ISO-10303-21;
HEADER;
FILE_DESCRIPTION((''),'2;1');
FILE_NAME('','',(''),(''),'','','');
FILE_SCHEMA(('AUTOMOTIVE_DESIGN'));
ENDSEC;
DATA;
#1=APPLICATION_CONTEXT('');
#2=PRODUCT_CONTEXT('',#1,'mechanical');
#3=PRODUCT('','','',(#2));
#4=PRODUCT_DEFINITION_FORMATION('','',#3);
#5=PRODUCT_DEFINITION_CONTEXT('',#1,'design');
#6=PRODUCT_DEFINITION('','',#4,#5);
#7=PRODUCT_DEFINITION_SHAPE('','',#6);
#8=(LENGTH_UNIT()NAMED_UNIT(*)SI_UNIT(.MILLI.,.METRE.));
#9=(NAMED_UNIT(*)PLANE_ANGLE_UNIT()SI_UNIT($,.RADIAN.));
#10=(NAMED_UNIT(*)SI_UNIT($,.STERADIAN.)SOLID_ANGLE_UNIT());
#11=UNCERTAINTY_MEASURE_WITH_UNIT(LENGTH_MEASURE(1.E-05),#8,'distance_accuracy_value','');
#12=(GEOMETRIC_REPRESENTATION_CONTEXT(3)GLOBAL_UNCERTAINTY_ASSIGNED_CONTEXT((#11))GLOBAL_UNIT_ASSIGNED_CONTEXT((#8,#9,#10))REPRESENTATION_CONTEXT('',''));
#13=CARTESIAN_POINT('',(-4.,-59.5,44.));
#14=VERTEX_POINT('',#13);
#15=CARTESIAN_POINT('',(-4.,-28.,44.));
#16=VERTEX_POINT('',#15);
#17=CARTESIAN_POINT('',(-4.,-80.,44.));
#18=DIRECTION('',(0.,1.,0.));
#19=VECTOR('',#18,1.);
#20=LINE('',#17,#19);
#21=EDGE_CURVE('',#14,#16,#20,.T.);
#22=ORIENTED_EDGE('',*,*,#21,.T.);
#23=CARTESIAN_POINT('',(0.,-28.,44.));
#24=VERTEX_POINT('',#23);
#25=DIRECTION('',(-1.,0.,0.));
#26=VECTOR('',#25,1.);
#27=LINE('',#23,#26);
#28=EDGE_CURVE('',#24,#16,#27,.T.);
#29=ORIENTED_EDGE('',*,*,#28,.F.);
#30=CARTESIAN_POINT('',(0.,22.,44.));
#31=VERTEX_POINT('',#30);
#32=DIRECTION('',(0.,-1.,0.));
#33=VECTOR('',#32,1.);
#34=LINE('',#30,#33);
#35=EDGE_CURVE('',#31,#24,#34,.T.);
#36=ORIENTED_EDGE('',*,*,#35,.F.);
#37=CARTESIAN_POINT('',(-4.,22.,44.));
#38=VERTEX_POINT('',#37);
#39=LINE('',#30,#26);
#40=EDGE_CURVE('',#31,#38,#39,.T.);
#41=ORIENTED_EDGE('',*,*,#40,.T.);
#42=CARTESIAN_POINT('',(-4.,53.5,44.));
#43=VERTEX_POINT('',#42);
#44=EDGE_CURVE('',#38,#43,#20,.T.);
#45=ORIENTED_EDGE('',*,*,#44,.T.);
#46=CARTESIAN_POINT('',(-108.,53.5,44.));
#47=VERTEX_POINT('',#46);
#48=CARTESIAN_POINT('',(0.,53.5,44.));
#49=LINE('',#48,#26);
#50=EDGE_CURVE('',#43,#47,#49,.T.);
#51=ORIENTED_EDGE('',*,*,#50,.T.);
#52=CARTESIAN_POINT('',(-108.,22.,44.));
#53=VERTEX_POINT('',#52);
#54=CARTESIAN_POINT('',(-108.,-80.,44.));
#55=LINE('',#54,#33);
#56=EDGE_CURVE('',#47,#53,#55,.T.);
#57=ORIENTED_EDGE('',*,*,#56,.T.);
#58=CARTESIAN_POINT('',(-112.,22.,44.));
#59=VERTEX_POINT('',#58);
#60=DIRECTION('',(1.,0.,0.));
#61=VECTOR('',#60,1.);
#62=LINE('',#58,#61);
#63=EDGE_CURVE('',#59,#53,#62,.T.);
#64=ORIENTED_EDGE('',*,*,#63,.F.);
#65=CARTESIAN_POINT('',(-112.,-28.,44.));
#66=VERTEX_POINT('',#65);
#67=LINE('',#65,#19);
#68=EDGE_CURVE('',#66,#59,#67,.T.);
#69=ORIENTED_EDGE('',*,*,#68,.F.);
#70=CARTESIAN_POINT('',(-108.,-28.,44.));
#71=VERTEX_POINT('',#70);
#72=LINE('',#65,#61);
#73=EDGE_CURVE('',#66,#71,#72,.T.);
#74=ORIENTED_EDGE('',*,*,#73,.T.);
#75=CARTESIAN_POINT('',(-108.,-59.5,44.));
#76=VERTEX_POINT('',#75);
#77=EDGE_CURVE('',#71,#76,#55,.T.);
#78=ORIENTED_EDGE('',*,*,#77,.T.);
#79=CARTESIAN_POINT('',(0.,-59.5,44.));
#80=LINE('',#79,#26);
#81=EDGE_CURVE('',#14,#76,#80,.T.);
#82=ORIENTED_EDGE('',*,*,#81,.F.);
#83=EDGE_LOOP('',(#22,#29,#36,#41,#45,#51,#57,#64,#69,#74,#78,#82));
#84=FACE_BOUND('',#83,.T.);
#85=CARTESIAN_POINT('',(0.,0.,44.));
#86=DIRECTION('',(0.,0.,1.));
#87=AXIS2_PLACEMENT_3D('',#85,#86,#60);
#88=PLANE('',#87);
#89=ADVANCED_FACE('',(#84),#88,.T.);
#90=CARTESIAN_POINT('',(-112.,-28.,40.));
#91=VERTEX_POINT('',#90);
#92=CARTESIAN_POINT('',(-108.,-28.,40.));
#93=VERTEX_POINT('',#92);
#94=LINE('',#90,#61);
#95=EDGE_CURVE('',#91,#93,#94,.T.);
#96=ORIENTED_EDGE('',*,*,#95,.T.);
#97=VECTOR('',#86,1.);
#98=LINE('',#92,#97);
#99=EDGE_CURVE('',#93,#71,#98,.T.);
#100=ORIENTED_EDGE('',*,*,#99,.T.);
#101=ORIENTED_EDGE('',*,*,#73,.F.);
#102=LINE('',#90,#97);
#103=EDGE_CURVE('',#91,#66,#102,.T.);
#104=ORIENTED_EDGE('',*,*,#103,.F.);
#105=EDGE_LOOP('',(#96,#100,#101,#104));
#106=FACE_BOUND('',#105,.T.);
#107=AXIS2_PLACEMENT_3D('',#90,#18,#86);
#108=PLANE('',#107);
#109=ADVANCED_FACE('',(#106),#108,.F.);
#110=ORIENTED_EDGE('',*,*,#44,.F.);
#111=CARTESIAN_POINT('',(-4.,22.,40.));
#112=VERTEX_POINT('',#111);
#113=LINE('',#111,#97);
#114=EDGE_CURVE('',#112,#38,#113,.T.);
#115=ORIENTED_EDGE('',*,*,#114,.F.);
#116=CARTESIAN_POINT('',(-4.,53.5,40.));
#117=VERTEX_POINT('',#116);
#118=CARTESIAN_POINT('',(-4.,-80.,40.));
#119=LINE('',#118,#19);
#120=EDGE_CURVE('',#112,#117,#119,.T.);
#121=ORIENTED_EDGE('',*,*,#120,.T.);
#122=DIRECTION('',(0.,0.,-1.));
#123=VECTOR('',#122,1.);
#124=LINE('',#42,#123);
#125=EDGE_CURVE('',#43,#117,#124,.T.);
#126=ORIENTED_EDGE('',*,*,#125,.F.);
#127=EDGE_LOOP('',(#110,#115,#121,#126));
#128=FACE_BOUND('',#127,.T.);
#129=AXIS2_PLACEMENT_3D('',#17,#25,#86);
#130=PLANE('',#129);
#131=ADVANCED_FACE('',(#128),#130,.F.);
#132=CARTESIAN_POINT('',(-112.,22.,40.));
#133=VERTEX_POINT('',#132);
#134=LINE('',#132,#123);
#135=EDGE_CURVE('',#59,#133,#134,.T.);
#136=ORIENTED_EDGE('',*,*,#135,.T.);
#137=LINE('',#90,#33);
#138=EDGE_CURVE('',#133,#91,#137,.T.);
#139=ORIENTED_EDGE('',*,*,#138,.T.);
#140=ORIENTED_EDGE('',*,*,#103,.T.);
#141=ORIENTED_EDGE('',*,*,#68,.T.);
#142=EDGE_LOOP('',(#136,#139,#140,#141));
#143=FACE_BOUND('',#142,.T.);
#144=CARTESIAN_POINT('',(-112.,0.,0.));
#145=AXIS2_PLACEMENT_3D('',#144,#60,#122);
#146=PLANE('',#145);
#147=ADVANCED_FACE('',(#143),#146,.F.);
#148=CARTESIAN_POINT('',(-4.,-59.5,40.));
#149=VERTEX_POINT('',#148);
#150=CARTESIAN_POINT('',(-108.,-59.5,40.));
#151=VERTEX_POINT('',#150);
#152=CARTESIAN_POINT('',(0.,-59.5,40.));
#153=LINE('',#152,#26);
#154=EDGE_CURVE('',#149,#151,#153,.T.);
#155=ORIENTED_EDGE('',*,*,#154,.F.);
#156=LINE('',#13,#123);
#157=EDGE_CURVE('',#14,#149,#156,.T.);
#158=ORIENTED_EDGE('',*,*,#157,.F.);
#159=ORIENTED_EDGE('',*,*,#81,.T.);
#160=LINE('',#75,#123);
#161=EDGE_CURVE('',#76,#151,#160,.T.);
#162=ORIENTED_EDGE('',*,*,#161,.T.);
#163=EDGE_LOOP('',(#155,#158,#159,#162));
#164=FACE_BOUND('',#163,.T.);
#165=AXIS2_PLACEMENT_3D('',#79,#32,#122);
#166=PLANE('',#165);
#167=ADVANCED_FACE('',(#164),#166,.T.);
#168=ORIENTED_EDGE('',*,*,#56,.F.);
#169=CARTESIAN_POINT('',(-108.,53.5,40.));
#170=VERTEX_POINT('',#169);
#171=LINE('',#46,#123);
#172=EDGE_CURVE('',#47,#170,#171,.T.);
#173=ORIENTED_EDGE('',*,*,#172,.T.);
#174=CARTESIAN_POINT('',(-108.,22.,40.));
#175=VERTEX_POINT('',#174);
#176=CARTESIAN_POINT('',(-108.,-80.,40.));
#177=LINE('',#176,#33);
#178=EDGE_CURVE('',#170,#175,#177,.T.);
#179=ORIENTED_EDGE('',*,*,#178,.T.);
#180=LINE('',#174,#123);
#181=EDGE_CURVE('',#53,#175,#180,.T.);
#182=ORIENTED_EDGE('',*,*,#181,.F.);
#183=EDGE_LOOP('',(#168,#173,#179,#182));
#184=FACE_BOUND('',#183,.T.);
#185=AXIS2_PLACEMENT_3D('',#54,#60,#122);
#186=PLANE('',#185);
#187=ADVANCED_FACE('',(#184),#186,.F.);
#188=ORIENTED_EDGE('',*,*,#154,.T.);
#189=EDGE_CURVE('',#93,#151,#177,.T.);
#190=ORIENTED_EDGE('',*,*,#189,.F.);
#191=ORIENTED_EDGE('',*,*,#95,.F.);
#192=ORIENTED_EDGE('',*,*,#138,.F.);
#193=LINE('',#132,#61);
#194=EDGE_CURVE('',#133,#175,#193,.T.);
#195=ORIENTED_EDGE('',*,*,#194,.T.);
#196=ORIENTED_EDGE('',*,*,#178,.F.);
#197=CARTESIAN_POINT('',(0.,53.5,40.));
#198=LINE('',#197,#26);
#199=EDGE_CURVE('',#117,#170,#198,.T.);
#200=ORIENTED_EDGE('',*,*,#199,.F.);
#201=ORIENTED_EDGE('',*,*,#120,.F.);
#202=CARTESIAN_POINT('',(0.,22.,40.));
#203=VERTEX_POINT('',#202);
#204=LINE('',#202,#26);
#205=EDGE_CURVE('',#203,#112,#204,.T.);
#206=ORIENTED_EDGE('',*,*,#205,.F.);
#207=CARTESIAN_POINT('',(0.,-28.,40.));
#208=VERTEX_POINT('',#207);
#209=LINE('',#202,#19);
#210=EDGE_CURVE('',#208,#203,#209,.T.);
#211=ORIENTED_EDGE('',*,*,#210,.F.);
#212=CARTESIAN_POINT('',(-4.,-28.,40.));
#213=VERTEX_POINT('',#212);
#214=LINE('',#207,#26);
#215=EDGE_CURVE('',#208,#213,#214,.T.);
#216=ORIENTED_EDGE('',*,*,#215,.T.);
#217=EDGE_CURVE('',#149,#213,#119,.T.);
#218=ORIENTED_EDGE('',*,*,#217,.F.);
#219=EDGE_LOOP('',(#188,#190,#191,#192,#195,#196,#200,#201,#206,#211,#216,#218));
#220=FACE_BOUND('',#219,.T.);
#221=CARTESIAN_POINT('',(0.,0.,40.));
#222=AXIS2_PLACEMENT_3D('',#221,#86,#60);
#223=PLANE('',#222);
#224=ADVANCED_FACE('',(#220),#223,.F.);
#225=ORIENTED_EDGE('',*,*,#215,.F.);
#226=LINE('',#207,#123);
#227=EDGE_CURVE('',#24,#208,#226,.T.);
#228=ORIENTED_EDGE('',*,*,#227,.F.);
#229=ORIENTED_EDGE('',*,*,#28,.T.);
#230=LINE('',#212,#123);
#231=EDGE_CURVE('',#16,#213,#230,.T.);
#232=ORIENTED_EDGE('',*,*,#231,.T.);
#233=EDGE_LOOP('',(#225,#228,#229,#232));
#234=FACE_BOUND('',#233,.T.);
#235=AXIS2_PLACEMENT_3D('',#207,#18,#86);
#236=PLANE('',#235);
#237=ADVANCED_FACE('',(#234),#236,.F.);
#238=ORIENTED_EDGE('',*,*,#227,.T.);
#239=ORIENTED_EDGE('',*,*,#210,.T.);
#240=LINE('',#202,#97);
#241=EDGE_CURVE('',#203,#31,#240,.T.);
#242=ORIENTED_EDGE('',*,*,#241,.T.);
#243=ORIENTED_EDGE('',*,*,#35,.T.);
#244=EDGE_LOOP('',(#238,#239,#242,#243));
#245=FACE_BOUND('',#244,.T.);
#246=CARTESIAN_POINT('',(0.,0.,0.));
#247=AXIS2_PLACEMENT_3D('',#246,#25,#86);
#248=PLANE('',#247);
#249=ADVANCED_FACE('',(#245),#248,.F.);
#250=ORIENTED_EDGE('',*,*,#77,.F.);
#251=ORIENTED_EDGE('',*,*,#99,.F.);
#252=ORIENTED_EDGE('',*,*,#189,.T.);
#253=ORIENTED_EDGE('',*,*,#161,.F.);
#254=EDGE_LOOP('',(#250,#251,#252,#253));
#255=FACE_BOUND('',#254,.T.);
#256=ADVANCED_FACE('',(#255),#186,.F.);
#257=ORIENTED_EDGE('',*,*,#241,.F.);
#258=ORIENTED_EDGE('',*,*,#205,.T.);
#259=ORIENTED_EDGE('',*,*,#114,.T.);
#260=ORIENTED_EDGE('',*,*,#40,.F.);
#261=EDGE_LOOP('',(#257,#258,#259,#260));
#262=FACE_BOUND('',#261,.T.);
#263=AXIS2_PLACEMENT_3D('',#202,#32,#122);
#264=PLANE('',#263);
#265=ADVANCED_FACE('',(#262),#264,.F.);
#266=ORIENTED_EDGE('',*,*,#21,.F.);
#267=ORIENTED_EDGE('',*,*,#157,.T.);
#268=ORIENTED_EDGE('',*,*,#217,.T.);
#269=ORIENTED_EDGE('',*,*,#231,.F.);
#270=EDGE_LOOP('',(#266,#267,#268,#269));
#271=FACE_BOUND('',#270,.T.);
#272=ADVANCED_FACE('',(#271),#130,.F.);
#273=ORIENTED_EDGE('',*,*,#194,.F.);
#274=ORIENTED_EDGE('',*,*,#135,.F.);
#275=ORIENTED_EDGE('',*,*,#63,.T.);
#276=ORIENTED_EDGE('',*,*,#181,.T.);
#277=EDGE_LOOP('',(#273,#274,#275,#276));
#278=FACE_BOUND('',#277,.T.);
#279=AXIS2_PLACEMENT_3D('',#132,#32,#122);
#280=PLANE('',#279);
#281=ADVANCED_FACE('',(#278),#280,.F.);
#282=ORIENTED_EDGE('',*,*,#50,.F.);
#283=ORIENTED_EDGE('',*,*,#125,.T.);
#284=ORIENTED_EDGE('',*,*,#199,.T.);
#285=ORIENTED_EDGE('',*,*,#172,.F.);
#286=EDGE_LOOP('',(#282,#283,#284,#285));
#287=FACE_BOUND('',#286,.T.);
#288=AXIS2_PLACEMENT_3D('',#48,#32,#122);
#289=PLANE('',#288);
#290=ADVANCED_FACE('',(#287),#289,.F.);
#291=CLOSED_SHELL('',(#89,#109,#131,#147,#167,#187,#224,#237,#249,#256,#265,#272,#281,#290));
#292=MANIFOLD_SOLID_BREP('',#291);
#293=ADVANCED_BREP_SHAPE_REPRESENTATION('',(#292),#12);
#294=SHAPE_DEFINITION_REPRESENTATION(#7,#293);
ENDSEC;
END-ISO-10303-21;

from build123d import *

# Parameters (mm, degrees)
SKETCH_2_W          = 104
SKETCH_2_H          = 163
EXTRUDE_1_DEPTH     = 4
SKETCH_4_W          = 104
SKETCH_4_H          = 29.5
SKETCH_4_H_2        = 20.5
CUT_EXTRUDE_1_DEPTH = 4
SKETCH_5_W          = 4
SKETCH_5_H          = 50
EXTRUDE_2_DEPTH     = 4
SKETCH_7_W          = 4
SKETCH_7_H          = 50
EXTRUDE_3_DEPTH     = 4


with BuildPart() as part:
    # 스케치2 → 보스-돌출1 (new body)
    with BuildSketch(Plane.XY.offset(40)):
        with Locations((-56, 1.5)):
            Rectangle(SKETCH_2_W, SKETCH_2_H)
    extrude(amount=EXTRUDE_1_DEPTH)

    # 스케치4 → 컷-돌출1 (cut)
    with BuildSketch(Plane(origin=(0, 0, 40), x_dir=(-1, 0, 0), z_dir=(0, 0, -1))):
        with Locations((56, 68.25)):
            Rectangle(SKETCH_4_W, SKETCH_4_H)
        with Locations((56, -69.75)):
            Rectangle(SKETCH_4_W, SKETCH_4_H_2)
    extrude(amount=-CUT_EXTRUDE_1_DEPTH, mode=Mode.SUBTRACT)

    # 스케치5 → 보스-돌출2 (add)
    with BuildSketch(Plane.ZY.offset(108)):
        with Locations((42, -3)):
            Rectangle(SKETCH_5_W, SKETCH_5_H)
    extrude(amount=EXTRUDE_2_DEPTH)

    # 스케치7 → 보스-돌출3 (add)
    with BuildSketch(Plane(origin=(-4, 0, 0), x_dir=(0, 0, -1), z_dir=(1, 0, 0))):
        with Locations((-42, -3)):
            Rectangle(SKETCH_7_W, SKETCH_7_H)
    extrude(amount=EXTRUDE_3_DEPTH)


solid = part.part
